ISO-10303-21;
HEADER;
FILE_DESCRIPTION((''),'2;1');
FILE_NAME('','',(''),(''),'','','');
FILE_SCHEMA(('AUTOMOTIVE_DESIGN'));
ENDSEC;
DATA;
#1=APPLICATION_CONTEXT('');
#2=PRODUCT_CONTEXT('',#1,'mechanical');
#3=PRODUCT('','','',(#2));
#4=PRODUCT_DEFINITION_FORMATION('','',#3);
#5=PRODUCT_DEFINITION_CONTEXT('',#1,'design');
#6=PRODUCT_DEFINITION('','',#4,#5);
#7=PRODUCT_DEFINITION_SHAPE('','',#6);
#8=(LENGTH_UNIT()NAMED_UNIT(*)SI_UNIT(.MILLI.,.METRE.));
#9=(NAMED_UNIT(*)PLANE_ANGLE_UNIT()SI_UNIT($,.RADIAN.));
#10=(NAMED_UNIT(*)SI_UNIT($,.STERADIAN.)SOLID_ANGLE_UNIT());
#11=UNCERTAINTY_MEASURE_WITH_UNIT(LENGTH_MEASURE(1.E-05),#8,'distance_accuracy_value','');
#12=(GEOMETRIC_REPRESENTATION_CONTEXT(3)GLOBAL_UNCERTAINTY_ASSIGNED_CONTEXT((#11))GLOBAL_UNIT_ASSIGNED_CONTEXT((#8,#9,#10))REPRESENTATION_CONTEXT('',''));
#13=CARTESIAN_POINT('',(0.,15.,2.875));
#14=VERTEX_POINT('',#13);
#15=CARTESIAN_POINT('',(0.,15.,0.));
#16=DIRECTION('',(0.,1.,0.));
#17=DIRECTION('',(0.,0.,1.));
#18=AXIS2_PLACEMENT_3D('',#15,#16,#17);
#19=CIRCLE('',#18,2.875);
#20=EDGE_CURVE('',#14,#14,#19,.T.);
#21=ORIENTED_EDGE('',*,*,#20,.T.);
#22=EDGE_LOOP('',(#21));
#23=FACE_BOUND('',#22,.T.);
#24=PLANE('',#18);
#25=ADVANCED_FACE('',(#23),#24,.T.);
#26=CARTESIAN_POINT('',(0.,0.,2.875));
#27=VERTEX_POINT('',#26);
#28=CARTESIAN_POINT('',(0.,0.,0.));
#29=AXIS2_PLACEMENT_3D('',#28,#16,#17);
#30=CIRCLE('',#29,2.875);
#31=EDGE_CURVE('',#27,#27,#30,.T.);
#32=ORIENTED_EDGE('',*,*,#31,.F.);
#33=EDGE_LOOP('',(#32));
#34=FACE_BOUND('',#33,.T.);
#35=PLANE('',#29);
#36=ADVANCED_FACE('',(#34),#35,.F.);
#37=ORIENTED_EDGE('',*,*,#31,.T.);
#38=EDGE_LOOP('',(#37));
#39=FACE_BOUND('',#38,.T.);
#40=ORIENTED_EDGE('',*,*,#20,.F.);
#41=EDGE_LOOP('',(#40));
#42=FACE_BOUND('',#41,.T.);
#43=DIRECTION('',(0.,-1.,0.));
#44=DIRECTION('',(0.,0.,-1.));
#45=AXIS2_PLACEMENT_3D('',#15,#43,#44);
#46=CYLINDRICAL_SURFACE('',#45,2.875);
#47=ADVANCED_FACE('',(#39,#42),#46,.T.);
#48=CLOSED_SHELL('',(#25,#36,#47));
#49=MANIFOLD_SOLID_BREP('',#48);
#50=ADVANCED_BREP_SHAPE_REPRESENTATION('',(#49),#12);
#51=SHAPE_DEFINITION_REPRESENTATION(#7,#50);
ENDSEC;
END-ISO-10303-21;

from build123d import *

# Parameters (mm, degrees)
SKETCH1_R           = 2.875
BOSS_EXTRUDE1_DEPTH = 15


with BuildPart() as part:
    # Sketch1 → Boss-Extrude1 (new body)
    with BuildSketch(Plane(origin=(0, 0, 0), x_dir=(1, 0, 0), z_dir=(0, 1, 0))):
        Circle(SKETCH1_R)
    extrude(amount=BOSS_EXTRUDE1_DEPTH)


solid = part.part
